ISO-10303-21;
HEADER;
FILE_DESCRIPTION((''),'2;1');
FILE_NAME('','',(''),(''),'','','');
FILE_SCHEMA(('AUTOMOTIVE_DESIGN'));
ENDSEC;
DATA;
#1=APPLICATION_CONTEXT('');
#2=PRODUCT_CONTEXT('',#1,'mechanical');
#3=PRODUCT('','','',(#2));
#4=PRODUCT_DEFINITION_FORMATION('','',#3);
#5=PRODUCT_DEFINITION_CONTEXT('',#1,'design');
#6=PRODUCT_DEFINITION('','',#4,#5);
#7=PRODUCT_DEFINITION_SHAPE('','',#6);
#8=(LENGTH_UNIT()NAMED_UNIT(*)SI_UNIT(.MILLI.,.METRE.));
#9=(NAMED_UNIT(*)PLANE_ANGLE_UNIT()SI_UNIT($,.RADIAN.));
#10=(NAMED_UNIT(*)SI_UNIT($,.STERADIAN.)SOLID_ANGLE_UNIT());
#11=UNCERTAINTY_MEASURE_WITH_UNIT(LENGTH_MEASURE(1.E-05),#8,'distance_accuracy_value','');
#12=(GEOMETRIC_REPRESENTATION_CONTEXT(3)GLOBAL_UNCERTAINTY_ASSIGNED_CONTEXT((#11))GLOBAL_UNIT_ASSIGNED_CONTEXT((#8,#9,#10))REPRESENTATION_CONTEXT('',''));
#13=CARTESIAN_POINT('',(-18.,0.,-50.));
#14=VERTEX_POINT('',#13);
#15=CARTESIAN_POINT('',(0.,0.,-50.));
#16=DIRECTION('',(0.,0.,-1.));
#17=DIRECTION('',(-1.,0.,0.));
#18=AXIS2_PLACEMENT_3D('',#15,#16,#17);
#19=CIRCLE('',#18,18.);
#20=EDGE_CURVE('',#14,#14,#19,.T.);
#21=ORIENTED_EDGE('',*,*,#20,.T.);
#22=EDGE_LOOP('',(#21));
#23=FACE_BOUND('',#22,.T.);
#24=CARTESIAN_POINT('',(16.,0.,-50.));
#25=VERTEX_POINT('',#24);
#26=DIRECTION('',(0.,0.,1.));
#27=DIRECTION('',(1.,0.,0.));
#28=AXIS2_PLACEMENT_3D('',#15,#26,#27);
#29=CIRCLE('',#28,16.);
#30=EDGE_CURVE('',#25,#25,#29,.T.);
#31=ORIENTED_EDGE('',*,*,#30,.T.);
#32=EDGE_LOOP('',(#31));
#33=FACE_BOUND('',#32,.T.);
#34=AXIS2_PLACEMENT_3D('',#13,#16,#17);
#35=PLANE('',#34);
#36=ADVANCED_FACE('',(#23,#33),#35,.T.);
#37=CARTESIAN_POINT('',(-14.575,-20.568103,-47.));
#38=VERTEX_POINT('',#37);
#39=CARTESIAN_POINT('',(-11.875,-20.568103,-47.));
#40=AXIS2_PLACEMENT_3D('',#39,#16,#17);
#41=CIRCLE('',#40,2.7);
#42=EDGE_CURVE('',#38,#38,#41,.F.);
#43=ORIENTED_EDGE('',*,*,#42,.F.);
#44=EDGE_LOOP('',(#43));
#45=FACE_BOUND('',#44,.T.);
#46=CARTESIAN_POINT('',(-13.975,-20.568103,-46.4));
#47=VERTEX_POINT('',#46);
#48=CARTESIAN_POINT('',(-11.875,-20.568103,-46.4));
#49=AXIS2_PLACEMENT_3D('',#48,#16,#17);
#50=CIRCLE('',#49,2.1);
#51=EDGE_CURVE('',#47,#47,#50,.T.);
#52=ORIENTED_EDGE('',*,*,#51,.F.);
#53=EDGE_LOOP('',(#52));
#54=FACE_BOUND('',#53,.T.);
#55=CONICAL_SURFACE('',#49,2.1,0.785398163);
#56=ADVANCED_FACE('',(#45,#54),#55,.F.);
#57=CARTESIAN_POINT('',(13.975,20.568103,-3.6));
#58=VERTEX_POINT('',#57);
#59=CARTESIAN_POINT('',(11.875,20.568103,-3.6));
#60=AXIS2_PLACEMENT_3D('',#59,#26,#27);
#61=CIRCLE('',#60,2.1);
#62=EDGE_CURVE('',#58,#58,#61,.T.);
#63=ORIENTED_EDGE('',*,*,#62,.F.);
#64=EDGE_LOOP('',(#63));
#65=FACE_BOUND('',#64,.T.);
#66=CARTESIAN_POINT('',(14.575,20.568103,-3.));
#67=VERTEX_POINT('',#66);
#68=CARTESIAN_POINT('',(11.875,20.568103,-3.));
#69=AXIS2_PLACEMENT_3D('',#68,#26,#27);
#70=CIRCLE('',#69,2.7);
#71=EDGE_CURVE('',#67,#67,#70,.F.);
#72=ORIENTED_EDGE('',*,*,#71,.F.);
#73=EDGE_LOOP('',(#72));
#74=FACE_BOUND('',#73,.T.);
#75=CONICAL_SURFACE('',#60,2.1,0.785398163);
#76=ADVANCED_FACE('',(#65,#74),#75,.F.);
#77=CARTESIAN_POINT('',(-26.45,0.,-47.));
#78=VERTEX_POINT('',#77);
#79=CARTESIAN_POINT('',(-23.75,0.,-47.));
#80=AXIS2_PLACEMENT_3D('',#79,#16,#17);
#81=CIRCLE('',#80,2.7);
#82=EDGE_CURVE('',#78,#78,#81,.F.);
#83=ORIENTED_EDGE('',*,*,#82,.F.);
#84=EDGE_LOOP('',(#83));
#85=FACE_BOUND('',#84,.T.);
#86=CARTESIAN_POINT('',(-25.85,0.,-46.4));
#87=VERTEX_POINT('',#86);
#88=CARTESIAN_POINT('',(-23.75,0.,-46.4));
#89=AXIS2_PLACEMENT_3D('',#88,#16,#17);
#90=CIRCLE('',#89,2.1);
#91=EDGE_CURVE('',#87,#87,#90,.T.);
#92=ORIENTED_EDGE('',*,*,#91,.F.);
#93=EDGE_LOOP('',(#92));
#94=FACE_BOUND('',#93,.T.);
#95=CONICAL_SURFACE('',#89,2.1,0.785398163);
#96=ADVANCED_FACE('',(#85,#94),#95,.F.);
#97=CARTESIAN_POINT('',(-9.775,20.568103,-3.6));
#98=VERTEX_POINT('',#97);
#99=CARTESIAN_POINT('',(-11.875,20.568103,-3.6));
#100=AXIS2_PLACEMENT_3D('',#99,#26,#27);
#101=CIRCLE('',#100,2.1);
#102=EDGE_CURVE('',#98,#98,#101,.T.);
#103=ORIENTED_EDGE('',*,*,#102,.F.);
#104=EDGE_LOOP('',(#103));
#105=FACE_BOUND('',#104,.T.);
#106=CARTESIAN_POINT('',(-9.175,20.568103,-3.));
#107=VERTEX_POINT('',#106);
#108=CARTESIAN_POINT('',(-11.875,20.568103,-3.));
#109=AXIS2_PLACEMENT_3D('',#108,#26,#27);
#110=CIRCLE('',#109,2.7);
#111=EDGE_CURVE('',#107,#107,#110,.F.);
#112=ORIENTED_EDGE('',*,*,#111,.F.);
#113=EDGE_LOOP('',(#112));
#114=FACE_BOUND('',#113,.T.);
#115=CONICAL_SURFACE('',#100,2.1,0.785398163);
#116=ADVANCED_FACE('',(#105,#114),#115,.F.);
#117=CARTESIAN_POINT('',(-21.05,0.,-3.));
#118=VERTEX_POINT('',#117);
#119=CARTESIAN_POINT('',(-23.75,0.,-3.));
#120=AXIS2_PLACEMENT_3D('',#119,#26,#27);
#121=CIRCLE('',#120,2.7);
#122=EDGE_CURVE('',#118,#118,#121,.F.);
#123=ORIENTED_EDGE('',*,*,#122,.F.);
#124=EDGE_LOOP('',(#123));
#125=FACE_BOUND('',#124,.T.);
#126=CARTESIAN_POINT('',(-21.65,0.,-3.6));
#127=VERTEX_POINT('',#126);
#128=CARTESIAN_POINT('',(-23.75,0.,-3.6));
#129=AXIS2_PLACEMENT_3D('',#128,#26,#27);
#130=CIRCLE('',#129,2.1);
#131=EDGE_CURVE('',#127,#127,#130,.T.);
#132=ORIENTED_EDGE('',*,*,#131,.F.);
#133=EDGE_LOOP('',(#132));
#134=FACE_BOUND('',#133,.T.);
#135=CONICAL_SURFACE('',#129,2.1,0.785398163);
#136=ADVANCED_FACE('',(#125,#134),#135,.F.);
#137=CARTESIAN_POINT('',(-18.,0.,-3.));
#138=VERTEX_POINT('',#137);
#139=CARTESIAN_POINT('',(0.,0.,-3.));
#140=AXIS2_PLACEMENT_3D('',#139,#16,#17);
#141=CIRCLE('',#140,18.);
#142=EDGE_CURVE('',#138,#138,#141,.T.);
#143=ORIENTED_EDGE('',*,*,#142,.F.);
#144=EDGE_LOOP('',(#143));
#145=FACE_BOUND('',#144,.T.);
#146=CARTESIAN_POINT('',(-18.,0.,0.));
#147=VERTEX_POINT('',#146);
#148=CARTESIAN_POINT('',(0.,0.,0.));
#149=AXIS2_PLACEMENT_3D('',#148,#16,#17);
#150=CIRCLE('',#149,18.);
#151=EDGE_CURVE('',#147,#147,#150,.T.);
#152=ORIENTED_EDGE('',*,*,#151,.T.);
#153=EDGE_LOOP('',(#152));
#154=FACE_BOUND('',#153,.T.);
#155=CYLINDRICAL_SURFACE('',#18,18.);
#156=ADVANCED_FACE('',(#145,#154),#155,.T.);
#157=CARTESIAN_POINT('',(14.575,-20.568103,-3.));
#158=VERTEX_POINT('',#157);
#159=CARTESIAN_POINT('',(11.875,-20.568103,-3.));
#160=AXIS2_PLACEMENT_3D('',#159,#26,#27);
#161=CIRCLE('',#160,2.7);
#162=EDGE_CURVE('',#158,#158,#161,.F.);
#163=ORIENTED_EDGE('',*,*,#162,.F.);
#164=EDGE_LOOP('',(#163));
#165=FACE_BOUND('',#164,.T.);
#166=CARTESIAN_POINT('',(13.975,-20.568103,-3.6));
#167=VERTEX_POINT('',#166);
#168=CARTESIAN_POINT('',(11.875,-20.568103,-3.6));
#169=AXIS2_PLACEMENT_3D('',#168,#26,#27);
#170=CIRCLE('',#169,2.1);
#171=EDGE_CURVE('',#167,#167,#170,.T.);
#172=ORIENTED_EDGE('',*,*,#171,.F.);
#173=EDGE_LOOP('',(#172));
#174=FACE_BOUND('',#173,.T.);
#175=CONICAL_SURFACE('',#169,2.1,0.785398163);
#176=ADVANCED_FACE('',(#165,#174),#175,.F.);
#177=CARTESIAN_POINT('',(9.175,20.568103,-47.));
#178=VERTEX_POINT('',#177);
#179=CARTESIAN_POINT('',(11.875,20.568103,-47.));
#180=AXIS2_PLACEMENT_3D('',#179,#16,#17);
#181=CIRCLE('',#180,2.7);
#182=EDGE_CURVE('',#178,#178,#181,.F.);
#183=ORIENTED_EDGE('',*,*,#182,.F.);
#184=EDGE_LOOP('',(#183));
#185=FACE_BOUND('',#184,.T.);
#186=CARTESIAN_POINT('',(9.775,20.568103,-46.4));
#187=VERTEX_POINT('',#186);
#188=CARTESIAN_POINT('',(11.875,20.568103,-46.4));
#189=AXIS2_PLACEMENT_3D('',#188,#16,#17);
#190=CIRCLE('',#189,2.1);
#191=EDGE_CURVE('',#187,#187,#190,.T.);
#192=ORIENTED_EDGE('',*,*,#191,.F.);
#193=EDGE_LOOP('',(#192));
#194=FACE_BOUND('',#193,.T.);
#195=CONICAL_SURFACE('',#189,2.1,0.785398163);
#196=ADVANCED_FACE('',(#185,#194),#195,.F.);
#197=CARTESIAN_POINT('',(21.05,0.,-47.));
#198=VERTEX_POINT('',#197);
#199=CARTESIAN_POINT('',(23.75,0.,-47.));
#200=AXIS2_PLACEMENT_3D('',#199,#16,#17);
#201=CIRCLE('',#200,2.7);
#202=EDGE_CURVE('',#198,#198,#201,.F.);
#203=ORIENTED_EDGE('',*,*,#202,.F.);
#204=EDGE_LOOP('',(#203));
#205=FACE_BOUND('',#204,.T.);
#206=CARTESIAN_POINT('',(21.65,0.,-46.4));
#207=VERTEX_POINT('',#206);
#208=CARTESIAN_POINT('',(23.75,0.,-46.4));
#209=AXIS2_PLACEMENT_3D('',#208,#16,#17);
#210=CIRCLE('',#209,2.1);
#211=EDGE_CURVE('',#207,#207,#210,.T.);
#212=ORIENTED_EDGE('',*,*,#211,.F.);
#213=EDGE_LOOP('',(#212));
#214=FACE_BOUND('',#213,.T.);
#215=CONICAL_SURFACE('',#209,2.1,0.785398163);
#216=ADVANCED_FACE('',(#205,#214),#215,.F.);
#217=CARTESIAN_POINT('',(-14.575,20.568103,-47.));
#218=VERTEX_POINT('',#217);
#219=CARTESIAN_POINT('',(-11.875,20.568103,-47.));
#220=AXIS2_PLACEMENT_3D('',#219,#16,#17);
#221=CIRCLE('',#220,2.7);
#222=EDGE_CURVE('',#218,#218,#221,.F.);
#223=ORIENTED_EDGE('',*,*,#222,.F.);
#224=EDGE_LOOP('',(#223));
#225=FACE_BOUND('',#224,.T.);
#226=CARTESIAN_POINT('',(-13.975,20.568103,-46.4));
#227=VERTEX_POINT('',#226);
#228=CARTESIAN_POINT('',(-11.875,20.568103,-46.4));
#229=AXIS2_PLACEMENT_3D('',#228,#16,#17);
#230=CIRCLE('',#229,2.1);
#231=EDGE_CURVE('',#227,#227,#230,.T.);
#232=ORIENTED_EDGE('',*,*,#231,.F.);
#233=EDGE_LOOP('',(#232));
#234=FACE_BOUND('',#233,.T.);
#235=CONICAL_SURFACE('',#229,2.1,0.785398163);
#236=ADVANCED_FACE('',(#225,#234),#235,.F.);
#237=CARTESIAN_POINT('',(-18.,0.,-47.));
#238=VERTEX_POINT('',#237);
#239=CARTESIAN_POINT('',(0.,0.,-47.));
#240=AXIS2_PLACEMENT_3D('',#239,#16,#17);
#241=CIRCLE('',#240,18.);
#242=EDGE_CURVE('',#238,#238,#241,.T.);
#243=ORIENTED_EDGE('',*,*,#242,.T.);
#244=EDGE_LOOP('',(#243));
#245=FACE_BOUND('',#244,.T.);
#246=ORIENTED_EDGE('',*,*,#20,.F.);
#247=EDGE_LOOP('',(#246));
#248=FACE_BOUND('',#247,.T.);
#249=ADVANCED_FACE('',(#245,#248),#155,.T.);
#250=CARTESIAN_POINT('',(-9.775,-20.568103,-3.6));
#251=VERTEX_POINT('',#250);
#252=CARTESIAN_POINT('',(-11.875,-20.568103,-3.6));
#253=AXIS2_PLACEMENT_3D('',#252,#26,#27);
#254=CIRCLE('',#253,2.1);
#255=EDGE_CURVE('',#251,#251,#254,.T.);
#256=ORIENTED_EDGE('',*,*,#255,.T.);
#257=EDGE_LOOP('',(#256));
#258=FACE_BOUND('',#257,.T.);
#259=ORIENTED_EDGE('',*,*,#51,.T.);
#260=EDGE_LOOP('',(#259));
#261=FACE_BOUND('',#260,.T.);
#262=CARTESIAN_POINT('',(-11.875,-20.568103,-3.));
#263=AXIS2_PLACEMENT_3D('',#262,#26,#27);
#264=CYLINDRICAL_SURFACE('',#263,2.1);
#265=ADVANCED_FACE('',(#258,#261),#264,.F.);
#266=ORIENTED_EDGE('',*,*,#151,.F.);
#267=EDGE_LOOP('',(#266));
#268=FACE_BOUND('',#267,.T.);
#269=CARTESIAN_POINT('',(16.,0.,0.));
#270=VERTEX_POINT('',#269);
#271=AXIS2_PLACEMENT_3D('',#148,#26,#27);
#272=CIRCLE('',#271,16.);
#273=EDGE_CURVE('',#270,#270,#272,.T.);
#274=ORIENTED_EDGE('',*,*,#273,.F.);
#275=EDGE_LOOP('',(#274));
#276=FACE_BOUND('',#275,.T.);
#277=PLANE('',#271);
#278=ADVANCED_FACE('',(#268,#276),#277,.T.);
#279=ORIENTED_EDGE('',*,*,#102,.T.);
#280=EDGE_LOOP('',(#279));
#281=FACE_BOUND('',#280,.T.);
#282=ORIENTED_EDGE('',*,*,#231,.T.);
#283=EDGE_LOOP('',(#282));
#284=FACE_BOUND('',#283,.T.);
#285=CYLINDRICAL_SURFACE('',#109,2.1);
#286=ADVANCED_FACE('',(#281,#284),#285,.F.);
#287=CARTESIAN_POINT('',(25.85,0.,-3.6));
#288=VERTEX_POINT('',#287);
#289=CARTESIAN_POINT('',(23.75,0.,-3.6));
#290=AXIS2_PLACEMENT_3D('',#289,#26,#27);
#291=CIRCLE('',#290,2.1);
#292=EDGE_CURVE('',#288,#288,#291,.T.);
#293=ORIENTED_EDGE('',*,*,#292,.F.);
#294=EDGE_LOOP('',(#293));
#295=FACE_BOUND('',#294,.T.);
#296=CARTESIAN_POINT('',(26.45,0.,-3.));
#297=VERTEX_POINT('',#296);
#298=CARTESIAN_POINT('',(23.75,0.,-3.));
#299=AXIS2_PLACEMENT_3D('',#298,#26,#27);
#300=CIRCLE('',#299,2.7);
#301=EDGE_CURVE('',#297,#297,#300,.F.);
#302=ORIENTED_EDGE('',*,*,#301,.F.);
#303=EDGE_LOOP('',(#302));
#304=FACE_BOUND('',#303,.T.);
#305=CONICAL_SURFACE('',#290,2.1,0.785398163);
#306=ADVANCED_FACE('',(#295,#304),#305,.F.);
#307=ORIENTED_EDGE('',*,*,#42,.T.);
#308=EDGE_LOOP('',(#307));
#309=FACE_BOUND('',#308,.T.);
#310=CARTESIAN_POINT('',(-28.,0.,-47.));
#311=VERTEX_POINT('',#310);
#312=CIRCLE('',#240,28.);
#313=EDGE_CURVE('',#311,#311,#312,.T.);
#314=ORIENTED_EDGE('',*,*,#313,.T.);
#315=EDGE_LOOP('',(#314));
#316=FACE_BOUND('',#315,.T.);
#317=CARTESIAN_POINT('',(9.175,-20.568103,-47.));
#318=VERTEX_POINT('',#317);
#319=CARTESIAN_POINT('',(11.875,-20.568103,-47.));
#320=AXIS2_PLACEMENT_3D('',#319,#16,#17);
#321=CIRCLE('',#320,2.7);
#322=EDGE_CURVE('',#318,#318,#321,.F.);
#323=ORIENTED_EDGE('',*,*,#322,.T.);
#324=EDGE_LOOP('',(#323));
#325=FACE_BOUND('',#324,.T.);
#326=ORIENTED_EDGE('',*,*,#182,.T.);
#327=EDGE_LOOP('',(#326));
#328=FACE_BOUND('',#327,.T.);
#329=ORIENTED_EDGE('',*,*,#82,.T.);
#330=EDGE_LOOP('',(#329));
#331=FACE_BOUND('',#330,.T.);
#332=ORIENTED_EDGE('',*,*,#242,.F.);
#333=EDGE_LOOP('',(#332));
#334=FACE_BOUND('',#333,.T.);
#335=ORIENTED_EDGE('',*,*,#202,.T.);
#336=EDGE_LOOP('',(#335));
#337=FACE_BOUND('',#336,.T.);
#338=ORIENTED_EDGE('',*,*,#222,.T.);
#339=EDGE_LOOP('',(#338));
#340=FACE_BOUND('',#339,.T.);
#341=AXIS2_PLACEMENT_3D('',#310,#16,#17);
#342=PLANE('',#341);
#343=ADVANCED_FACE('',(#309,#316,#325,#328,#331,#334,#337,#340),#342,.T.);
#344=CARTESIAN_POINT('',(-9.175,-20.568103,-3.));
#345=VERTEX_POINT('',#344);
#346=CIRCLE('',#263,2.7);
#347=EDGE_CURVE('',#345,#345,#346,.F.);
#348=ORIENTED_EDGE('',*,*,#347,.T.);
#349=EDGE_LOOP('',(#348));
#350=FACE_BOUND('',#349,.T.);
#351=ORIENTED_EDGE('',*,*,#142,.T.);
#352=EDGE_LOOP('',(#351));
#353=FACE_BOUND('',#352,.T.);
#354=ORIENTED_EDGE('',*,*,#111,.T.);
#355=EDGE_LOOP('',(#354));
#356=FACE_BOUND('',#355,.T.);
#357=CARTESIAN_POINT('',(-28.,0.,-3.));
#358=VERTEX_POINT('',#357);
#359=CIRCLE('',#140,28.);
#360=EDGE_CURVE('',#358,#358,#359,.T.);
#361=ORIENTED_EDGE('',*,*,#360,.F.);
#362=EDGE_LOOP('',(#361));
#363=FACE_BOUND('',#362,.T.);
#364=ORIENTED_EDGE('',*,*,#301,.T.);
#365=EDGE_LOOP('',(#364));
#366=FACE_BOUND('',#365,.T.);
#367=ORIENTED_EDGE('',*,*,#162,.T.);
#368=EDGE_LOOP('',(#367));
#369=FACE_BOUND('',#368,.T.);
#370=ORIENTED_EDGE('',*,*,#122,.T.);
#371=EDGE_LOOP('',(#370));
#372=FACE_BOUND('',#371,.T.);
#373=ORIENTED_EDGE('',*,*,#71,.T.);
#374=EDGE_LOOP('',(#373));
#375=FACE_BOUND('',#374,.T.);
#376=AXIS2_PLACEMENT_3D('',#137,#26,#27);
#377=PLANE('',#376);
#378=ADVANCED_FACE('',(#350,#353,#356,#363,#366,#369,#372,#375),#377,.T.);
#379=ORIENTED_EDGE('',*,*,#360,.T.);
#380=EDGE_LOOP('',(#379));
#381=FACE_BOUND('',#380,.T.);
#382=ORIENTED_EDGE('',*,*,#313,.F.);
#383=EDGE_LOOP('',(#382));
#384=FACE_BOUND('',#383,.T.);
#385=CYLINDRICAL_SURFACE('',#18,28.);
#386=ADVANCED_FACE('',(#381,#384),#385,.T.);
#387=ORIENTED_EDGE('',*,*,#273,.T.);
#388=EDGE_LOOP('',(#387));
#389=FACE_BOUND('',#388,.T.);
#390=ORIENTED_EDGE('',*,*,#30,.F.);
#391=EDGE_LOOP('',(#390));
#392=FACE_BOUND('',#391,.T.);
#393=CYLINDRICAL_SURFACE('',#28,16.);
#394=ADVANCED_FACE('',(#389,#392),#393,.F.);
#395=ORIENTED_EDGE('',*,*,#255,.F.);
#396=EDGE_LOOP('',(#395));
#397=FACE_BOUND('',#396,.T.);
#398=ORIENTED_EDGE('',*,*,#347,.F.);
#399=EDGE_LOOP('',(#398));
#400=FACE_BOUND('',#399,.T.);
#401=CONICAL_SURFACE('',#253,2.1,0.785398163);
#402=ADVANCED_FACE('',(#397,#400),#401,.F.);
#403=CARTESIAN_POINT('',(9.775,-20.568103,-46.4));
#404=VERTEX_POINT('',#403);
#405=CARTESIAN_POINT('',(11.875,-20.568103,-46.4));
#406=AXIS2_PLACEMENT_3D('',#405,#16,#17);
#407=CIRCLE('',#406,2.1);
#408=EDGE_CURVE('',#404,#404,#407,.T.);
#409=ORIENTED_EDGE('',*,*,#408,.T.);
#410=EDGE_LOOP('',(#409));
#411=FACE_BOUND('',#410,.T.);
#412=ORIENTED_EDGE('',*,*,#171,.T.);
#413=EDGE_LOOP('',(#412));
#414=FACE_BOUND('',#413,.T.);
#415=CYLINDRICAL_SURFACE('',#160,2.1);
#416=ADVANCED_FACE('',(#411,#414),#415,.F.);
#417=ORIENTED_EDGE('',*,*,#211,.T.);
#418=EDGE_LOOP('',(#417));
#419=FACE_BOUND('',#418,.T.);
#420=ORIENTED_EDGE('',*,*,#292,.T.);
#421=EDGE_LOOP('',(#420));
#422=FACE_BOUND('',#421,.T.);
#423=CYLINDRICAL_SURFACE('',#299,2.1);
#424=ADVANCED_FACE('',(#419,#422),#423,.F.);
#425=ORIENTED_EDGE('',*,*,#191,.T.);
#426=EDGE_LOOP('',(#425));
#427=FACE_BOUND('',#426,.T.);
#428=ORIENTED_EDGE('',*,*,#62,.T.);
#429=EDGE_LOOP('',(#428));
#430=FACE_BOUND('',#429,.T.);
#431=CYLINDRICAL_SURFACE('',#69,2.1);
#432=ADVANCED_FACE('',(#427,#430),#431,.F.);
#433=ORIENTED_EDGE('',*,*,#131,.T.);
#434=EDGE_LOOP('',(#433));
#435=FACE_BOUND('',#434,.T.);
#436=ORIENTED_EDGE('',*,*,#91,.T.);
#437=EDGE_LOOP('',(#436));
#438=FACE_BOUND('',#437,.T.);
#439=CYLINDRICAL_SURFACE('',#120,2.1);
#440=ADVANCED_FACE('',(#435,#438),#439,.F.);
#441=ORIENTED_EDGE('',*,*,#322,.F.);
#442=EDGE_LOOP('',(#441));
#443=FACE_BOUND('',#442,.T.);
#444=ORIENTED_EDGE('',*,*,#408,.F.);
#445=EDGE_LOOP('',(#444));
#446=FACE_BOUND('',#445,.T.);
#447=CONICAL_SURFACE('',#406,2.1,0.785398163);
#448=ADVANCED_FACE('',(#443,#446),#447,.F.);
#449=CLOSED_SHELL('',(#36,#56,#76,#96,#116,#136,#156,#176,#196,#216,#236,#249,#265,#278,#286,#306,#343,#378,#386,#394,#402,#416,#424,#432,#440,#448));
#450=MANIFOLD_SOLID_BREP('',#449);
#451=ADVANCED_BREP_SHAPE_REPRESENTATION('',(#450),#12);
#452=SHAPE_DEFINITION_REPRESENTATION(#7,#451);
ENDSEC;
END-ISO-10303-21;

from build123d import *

# Parameters (mm, degrees)
SKETCH_2_R               = 16
CUT_EXTRUDE_1_DEPTH      = 1
CUT_EXTRUDE_1_DEPTH_BACK = 51
HOLE_WIZARD_M51_D        = 4.2
HOLE_WIZARD_M51_DEPTH    = 44.001
PATTERN_CIRCULAR_1_COUNT = 6
CHAMFER_1_SIZE           = 0.6


with BuildPart() as part:
    # Эскиз1 → Повернуть1 (revolve)
    with BuildSketch(Plane(origin=(0, 0, 0), x_dir=(1, 0, 0), z_dir=(0, 1, 0))):
        Polygon((0, 0), (-18, 0), (-18, 3), (-28, 3), (-28, 47), (-18, 47), (-18, 50), (0, 50), align=None)
    revolve(axis=Axis((0, 0, -50), (0, 0, 1)))

    # Эскиз2 → Вырез-Вытянуть1 (cut, two sides)
    with BuildSketch(Plane.XY) as cut_extrude_1_sk:
        Circle(SKETCH_2_R)
    extrude(amount=CUT_EXTRUDE_1_DEPTH, mode=Mode.SUBTRACT)
    extrude(cut_extrude_1_sk.sketch, amount=-CUT_EXTRUDE_1_DEPTH_BACK, mode=Mode.SUBTRACT)

    # Сверление под метчик M51
    with Locations(Plane(origin=(23.75, 0, -3), x_dir=(1, 0, 0), z_dir=(0, 0, 1))):
        with Locations((0, 0)):
            hole_wizard_m51 = Hole(HOLE_WIZARD_M51_D / 2, depth=HOLE_WIZARD_M51_DEPTH)

    # Круговой массив1: Сверление под метчик M51 ×6 about axis
    pattern_circular_1_axis = Axis((0, 0, 0), (0, 0, 1))
    for i in range(1, PATTERN_CIRCULAR_1_COUNT):
        add(hole_wizard_m51.rotate(pattern_circular_1_axis, i * 360 / PATTERN_CIRCULAR_1_COUNT), mode=Mode.SUBTRACT)

    # Фаска1
    chamfer_1_edges = [part.edges().sort_by_distance(p)[0] for p in [
        (25.85, 0, -3),
        (25.85, 0, -47),
        (12.925, -22.386756688, -3),
        (12.925, -22.386756688, -47),
        (-12.925, -22.386756688, -3),
        (-12.925, -22.386756688, -47),
        (-25.85, 0, -3),
        (-25.85, 0, -47),
        (-12.925, 22.386756688, -3),
        (-12.925, 22.386756688, -47),
        (12.925, 22.386756688, -3),
        (12.925, 22.386756688, -47),
    ]]
    chamfer(chamfer_1_edges, length=CHAMFER_1_SIZE)


solid = part.part
